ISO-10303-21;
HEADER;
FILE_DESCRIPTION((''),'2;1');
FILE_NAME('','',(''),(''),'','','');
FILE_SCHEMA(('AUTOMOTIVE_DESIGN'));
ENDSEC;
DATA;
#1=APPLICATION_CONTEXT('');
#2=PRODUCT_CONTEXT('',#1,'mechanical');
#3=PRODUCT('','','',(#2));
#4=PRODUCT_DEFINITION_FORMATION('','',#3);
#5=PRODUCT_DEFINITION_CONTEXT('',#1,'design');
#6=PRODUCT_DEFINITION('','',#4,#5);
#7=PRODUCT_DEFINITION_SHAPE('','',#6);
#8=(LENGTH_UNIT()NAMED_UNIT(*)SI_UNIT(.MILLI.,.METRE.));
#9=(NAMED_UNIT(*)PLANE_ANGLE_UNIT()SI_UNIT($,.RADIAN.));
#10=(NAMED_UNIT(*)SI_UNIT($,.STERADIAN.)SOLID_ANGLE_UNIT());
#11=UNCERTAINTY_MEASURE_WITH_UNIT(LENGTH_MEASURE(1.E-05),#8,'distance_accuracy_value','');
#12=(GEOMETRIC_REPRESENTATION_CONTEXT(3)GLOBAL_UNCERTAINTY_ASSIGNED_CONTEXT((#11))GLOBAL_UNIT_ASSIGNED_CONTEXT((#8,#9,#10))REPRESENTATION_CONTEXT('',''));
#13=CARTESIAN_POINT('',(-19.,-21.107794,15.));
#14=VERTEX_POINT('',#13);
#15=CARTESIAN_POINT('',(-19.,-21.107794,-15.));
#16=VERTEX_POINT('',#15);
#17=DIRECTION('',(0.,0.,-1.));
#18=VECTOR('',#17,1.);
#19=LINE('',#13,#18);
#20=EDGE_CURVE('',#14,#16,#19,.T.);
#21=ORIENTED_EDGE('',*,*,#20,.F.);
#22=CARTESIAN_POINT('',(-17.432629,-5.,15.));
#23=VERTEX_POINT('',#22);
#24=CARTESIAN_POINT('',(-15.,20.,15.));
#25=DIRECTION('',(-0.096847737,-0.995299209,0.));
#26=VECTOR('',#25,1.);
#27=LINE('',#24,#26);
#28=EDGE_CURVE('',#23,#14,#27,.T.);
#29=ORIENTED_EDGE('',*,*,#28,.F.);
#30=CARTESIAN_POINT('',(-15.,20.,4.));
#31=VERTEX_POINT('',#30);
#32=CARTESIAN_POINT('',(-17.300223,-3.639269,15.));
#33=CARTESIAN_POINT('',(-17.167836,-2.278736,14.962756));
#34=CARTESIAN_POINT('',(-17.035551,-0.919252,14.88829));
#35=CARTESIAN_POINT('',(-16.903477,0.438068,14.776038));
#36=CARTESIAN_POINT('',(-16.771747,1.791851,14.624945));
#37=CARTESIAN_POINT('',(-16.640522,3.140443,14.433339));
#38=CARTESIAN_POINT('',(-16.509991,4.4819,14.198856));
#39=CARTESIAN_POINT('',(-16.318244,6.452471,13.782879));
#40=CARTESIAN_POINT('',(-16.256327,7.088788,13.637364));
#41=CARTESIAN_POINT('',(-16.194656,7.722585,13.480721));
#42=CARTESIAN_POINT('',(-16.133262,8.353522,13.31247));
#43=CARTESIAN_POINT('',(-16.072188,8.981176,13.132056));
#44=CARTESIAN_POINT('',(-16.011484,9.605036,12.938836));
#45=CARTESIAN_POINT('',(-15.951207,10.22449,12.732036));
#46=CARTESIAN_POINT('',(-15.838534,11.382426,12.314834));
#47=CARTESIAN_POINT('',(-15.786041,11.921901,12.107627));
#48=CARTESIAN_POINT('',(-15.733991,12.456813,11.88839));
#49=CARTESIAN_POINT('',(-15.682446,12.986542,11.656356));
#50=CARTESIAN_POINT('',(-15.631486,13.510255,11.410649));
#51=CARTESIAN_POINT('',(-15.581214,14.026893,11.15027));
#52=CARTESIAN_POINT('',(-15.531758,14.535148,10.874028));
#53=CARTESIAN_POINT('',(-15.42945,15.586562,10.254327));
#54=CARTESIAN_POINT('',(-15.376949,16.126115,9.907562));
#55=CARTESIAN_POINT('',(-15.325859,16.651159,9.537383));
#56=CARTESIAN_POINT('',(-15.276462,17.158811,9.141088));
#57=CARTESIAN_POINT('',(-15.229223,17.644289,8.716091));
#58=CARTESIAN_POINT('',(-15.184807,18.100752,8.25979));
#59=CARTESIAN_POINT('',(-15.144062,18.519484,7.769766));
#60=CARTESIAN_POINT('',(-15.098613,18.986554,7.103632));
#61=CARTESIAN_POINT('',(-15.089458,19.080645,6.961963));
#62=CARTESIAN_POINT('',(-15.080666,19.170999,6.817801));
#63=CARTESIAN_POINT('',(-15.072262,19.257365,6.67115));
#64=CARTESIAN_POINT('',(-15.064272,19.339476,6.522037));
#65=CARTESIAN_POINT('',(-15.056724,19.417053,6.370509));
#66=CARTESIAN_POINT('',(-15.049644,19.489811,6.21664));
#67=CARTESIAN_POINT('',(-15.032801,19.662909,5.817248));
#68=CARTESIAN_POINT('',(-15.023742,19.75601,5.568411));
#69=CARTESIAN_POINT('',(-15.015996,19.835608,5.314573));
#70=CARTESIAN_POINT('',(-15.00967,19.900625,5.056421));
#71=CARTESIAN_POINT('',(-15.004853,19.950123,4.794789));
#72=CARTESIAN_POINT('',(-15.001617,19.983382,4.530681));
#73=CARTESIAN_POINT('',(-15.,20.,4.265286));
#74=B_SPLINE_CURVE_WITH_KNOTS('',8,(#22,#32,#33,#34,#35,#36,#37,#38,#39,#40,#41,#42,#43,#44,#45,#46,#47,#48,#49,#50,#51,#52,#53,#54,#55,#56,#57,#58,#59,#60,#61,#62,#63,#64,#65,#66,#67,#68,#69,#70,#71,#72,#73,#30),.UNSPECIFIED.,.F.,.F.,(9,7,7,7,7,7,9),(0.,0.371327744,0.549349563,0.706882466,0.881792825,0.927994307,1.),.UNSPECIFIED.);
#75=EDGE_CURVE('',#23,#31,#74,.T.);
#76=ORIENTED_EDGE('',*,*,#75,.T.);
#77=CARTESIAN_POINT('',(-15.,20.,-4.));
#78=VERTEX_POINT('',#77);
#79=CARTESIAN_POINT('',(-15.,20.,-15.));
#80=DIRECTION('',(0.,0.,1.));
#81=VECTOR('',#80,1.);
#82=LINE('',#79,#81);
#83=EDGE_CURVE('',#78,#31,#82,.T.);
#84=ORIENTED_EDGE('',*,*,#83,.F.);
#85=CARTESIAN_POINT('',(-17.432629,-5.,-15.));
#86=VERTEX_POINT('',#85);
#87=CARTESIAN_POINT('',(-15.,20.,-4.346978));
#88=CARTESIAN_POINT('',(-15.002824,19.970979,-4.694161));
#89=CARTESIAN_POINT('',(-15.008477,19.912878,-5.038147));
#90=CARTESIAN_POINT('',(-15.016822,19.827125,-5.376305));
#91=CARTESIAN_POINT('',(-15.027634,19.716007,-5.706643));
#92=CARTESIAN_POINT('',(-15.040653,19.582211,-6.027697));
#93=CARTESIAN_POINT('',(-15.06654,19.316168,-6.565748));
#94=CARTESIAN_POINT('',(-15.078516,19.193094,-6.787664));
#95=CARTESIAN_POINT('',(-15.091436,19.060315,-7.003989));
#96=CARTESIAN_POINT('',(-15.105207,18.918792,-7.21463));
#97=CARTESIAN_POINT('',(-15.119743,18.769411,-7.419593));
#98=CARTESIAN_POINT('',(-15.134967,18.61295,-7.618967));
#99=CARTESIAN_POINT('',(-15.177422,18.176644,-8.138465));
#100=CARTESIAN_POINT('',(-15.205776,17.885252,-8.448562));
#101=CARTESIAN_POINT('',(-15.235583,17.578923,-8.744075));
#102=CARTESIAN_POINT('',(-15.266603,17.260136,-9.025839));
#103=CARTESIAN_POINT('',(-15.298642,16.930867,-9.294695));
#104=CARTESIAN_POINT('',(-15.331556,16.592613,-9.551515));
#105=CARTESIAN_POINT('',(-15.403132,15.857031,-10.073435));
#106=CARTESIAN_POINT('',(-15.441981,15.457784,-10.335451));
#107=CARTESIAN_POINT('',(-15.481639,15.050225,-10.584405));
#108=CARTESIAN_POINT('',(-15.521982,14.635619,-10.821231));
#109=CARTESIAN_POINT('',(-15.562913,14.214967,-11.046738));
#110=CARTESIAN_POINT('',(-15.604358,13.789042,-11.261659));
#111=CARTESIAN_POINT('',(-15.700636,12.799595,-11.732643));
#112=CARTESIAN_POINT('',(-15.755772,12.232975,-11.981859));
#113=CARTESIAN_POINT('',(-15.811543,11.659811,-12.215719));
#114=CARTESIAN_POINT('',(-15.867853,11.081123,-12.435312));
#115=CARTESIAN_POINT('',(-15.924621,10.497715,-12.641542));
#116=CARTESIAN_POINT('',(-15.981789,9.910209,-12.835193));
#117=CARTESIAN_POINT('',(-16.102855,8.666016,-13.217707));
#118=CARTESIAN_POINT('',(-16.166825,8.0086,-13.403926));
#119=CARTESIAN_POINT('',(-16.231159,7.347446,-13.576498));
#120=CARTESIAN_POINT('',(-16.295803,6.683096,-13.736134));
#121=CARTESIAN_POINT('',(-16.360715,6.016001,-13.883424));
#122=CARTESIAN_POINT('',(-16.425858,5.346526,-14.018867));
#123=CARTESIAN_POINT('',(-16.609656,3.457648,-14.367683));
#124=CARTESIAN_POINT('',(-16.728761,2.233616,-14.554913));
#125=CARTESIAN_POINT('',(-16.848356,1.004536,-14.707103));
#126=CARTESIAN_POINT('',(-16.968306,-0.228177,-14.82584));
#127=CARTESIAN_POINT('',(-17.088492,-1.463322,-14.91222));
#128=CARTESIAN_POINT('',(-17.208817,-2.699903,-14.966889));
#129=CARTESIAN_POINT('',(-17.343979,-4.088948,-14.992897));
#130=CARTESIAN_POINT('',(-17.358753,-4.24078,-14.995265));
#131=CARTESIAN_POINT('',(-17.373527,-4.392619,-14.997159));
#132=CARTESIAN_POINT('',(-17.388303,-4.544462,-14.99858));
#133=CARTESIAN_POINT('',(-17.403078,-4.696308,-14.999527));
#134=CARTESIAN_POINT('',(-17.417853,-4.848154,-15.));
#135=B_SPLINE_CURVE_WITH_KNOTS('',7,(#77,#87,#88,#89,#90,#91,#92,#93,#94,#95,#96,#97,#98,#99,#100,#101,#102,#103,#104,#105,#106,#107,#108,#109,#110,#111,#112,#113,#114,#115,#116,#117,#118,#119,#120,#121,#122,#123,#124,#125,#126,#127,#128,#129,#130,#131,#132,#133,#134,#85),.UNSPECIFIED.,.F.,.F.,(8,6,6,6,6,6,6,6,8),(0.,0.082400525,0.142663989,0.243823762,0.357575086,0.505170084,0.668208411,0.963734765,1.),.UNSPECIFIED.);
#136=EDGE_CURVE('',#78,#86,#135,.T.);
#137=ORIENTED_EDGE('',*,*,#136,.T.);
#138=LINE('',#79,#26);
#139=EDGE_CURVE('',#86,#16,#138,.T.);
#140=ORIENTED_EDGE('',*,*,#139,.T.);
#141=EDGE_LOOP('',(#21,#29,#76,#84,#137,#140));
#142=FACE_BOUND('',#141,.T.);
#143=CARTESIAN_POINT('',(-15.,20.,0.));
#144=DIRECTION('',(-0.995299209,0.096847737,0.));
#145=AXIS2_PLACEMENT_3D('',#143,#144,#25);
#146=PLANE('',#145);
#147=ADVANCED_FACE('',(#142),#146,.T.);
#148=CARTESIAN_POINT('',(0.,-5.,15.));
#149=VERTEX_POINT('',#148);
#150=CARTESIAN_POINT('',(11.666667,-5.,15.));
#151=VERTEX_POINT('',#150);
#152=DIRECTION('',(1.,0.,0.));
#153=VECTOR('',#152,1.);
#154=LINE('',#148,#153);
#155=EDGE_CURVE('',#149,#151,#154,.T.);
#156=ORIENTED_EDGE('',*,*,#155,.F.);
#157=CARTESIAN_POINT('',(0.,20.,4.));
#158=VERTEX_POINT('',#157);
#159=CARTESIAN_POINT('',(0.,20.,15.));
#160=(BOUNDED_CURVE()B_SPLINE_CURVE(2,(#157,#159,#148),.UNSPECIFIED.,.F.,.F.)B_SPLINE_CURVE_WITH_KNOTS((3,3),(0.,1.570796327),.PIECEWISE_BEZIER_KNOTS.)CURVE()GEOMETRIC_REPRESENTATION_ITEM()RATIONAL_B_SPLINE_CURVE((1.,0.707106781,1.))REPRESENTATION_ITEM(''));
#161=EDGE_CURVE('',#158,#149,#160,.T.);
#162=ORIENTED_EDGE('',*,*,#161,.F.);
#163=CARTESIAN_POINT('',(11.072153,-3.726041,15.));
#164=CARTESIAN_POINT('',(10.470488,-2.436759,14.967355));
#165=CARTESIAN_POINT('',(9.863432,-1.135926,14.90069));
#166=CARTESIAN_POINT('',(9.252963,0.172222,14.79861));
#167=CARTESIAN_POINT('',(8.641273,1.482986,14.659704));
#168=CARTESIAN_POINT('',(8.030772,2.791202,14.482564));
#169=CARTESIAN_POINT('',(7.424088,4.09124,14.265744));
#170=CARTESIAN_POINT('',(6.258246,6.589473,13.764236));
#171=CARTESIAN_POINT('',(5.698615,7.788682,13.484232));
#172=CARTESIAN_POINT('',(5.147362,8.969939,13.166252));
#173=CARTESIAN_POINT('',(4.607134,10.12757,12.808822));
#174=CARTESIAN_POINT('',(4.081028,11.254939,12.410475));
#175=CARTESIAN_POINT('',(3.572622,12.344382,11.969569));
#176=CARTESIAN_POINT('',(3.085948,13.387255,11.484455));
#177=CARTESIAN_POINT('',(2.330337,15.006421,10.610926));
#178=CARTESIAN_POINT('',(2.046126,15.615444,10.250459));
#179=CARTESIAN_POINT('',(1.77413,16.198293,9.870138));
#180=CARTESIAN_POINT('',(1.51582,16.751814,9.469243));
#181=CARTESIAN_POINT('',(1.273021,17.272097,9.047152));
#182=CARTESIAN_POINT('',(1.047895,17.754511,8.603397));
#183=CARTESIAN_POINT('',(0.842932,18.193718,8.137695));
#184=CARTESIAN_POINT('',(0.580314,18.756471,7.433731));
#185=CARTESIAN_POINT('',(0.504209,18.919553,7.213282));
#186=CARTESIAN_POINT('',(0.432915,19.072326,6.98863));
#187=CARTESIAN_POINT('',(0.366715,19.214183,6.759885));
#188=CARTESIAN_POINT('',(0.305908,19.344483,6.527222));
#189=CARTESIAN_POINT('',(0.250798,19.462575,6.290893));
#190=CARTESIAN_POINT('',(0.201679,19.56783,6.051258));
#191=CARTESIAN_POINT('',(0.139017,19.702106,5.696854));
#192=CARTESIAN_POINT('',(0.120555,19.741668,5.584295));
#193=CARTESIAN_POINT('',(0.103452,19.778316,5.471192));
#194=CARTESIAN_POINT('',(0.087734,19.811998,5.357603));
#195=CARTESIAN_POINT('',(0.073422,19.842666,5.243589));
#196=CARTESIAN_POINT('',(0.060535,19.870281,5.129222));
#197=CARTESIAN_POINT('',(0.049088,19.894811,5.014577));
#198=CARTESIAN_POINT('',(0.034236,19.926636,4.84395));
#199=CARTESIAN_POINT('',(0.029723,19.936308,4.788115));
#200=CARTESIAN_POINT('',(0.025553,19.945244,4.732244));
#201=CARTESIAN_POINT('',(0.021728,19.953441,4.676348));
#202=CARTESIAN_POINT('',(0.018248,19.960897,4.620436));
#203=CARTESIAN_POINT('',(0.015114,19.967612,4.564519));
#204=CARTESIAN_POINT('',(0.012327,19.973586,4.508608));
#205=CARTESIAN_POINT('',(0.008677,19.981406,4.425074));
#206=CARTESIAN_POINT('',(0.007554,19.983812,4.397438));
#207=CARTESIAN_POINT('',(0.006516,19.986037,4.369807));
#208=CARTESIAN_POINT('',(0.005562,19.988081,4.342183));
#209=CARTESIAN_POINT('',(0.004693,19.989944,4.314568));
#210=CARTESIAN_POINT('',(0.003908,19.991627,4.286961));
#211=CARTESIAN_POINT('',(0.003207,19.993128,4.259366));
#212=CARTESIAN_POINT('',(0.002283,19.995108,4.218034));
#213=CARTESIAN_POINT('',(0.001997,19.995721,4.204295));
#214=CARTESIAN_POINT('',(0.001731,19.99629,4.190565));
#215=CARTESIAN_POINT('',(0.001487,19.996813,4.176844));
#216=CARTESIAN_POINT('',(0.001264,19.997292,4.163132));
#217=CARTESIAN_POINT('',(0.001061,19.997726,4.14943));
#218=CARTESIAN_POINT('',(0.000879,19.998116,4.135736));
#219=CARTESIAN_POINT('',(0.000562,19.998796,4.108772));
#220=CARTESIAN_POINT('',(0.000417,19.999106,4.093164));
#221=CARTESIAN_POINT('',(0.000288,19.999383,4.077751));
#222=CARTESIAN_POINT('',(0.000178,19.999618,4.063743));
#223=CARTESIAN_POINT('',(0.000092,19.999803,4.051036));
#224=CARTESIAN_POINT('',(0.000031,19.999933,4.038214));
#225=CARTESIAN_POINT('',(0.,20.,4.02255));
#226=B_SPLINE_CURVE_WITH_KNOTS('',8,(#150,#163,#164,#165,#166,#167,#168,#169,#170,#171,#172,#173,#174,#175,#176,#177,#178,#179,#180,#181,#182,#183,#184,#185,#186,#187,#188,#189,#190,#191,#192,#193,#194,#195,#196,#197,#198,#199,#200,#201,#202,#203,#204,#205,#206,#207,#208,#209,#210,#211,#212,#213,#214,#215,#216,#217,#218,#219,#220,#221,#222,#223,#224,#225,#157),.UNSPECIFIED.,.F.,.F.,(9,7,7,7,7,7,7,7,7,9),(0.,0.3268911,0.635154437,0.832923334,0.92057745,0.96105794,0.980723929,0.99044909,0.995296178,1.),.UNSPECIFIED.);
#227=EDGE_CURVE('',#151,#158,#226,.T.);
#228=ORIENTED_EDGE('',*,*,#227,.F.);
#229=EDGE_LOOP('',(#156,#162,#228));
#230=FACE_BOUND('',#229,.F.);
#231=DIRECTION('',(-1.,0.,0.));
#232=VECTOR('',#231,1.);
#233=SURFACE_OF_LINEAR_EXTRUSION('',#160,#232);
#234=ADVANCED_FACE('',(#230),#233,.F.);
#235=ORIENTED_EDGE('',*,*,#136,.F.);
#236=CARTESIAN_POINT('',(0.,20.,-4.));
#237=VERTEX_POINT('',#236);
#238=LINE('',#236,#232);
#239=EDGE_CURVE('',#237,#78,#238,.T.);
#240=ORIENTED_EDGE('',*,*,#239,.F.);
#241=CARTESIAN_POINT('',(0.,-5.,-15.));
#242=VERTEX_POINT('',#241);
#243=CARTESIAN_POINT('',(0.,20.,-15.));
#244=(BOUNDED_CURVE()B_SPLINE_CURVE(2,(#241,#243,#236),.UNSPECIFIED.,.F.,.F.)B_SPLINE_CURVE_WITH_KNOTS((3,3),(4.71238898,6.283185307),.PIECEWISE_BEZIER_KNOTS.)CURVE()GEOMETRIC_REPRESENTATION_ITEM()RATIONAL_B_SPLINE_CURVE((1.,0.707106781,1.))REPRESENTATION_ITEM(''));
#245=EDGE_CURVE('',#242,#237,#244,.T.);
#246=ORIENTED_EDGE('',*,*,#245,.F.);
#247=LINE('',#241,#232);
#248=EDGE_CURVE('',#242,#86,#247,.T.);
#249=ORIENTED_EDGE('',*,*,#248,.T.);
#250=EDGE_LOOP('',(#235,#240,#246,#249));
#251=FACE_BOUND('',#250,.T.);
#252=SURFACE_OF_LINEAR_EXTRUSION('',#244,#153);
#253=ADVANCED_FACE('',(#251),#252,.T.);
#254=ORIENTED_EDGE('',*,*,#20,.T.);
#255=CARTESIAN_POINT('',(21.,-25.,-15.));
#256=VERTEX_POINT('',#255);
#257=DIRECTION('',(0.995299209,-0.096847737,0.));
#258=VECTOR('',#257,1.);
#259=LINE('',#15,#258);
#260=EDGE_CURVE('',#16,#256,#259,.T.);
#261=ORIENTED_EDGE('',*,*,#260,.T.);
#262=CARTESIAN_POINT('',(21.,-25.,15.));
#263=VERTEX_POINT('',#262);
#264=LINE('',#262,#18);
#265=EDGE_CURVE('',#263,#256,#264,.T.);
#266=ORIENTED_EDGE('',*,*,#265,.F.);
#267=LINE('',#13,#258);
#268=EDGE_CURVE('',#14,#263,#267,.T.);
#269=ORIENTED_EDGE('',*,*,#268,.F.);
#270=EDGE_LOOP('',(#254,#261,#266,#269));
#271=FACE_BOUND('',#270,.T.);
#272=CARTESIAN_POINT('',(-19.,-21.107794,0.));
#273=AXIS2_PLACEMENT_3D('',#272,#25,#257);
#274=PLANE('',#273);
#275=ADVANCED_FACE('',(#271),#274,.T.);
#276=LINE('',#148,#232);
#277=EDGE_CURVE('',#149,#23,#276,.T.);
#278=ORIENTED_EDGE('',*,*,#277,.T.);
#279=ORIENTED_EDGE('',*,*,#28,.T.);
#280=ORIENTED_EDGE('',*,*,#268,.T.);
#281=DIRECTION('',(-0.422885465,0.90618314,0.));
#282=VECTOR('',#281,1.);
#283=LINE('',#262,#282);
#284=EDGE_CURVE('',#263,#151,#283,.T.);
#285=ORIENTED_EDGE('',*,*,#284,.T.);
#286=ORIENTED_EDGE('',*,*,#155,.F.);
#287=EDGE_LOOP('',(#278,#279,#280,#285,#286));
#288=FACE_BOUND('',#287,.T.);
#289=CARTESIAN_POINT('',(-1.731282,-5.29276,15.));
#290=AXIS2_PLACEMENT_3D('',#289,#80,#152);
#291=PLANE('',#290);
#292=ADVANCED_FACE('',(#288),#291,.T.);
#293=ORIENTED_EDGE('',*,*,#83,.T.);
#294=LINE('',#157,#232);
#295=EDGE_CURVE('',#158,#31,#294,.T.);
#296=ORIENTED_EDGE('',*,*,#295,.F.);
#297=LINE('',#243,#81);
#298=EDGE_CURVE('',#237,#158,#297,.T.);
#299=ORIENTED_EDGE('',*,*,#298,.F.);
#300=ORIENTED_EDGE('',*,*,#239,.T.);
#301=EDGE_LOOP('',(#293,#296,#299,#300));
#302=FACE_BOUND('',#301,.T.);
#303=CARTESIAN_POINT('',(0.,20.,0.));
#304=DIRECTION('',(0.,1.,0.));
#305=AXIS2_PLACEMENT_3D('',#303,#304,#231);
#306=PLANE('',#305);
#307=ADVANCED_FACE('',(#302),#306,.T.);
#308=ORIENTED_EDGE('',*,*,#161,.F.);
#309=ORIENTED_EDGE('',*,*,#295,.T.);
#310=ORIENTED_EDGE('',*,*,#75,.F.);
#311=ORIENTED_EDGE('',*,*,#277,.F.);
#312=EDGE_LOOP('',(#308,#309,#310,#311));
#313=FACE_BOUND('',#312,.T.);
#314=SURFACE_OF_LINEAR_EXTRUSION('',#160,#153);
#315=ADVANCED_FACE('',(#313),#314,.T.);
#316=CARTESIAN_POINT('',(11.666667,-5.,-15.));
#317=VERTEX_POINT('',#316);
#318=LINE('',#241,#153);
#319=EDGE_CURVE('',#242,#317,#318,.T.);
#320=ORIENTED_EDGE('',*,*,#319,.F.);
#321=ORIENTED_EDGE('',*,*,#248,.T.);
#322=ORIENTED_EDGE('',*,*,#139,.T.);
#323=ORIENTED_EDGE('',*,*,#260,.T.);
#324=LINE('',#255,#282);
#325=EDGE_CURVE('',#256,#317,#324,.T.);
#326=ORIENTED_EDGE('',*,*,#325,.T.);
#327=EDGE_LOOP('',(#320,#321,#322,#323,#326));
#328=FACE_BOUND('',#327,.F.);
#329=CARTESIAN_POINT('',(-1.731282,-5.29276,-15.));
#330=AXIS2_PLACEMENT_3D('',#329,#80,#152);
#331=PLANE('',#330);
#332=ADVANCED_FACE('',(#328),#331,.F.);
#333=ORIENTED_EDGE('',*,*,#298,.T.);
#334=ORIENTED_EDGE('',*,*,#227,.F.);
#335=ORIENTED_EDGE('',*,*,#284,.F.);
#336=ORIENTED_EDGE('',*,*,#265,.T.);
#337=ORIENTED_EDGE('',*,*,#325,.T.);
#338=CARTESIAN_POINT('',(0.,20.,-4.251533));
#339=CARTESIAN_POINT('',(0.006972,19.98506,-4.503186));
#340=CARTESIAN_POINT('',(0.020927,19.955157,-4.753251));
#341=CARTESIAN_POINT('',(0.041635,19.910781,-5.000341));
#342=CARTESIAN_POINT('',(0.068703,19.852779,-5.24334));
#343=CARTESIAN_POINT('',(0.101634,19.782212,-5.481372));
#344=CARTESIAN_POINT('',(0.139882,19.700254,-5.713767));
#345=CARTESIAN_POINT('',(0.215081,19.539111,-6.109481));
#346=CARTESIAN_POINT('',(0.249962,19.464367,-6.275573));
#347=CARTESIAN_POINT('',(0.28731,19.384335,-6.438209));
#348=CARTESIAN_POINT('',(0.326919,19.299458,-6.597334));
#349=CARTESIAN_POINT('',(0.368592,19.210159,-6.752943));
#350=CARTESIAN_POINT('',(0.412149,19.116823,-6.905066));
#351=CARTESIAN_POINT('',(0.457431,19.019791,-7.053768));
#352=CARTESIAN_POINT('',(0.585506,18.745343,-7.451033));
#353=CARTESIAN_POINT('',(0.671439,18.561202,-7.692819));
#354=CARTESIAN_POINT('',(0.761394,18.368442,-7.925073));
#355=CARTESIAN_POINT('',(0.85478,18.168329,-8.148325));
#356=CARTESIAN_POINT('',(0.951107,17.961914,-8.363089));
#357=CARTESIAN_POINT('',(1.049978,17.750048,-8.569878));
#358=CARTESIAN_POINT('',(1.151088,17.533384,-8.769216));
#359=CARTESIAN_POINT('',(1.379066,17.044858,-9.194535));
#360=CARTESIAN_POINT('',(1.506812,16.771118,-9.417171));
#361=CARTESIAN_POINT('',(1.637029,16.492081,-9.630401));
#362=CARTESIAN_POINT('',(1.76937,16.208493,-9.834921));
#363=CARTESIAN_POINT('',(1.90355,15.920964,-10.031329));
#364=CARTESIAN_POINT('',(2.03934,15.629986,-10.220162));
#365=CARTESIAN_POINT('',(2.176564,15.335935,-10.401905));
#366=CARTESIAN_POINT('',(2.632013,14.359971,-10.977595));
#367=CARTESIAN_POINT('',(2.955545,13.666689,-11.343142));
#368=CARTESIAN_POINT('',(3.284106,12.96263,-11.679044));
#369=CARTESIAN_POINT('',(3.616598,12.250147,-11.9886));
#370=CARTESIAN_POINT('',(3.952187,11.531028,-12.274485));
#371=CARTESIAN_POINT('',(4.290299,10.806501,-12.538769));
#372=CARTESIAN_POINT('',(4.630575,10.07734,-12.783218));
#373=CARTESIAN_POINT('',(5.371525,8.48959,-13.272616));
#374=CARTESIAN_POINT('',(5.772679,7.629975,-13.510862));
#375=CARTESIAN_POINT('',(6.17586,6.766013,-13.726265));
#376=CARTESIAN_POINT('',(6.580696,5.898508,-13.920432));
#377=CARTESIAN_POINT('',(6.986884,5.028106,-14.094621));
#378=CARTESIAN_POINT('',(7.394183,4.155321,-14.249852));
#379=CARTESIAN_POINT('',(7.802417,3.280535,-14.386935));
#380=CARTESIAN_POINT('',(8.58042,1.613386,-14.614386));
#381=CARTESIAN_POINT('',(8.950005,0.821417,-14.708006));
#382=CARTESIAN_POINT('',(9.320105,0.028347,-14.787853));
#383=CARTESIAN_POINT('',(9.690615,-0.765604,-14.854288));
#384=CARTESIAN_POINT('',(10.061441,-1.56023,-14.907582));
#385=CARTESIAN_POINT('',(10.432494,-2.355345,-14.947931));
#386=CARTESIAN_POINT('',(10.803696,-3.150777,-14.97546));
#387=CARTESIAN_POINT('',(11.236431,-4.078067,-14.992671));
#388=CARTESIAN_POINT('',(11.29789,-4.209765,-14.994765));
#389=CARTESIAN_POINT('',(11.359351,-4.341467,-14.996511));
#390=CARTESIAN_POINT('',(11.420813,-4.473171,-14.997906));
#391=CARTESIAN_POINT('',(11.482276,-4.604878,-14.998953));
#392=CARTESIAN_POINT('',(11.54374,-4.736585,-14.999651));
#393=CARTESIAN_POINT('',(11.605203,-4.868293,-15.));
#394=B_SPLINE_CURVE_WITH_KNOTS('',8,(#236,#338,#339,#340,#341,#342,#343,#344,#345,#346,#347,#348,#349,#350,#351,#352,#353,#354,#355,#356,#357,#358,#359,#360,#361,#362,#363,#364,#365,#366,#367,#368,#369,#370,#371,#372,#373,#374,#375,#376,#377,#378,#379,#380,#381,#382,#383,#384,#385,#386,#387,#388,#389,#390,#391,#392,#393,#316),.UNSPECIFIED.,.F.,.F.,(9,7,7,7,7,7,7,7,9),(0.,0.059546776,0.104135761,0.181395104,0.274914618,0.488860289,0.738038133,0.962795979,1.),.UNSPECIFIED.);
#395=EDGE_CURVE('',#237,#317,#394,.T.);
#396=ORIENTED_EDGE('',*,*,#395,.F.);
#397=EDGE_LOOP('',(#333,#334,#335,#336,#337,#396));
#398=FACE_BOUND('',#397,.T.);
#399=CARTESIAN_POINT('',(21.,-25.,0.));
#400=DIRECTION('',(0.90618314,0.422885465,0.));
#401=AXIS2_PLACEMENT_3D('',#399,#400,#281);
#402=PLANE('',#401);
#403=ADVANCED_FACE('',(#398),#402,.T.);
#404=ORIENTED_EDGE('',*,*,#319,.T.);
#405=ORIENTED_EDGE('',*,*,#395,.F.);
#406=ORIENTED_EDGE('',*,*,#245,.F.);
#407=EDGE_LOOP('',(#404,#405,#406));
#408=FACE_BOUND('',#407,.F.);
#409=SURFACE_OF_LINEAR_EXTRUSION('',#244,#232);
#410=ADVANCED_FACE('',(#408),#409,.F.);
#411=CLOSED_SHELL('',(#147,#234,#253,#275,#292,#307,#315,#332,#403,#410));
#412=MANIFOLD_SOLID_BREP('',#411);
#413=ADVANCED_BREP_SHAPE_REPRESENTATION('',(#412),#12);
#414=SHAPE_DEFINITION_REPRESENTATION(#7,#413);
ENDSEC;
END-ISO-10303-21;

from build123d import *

# Parameters (mm, degrees)
F1_DEPTH      = 15
F1_DEPTH_BACK = 15
F3_DEPTH      = 19.001
F3_DEPTH_BACK = 21.001


with BuildPart() as f1:
    # F0 (on Top) → F1 (new body, two sides)
    with BuildSketch(Plane.XY) as f1_sk:
        Polygon((21, -25), (0, 20), (-15, 20), (-19, -21.1077940659), align=None)
    extrude(amount=F1_DEPTH)
    extrude(f1_sk.sketch, amount=-F1_DEPTH_BACK)

    # F2 (on Right) → F3 (cut, two sides)
    with BuildSketch(Plane.YZ) as f3_sk:
        with BuildLine():
            add(Edge.make_bspline(
                [(20, 4), (20, 15), (-5, 15)],
                knots=[0, 0, 0, 1.5707963268, 1.5707963268, 1.5707963268], degree=2, weights=[1, 0.7071067812, 1]))
            Line((20, 4), (20, 15))
            Line((20, 15), (-5, 15))
        make_face()
        with BuildLine():
            add(Edge.make_bspline(
                [(-5, -15), (20, -15), (20, -4)],
                knots=[4.7123889804, 4.7123889804, 4.7123889804, 6.2831853072, 6.2831853072, 6.2831853072], degree=2, weights=[1, 0.7071067812, 1]))
            Line((-5, -15), (20, -15))
            Line((20, -15), (20, -4))
        make_face()
    extrude(amount=-F3_DEPTH, mode=Mode.SUBTRACT)
    extrude(f3_sk.sketch, amount=F3_DEPTH_BACK, mode=Mode.SUBTRACT)


solid = f1.part
